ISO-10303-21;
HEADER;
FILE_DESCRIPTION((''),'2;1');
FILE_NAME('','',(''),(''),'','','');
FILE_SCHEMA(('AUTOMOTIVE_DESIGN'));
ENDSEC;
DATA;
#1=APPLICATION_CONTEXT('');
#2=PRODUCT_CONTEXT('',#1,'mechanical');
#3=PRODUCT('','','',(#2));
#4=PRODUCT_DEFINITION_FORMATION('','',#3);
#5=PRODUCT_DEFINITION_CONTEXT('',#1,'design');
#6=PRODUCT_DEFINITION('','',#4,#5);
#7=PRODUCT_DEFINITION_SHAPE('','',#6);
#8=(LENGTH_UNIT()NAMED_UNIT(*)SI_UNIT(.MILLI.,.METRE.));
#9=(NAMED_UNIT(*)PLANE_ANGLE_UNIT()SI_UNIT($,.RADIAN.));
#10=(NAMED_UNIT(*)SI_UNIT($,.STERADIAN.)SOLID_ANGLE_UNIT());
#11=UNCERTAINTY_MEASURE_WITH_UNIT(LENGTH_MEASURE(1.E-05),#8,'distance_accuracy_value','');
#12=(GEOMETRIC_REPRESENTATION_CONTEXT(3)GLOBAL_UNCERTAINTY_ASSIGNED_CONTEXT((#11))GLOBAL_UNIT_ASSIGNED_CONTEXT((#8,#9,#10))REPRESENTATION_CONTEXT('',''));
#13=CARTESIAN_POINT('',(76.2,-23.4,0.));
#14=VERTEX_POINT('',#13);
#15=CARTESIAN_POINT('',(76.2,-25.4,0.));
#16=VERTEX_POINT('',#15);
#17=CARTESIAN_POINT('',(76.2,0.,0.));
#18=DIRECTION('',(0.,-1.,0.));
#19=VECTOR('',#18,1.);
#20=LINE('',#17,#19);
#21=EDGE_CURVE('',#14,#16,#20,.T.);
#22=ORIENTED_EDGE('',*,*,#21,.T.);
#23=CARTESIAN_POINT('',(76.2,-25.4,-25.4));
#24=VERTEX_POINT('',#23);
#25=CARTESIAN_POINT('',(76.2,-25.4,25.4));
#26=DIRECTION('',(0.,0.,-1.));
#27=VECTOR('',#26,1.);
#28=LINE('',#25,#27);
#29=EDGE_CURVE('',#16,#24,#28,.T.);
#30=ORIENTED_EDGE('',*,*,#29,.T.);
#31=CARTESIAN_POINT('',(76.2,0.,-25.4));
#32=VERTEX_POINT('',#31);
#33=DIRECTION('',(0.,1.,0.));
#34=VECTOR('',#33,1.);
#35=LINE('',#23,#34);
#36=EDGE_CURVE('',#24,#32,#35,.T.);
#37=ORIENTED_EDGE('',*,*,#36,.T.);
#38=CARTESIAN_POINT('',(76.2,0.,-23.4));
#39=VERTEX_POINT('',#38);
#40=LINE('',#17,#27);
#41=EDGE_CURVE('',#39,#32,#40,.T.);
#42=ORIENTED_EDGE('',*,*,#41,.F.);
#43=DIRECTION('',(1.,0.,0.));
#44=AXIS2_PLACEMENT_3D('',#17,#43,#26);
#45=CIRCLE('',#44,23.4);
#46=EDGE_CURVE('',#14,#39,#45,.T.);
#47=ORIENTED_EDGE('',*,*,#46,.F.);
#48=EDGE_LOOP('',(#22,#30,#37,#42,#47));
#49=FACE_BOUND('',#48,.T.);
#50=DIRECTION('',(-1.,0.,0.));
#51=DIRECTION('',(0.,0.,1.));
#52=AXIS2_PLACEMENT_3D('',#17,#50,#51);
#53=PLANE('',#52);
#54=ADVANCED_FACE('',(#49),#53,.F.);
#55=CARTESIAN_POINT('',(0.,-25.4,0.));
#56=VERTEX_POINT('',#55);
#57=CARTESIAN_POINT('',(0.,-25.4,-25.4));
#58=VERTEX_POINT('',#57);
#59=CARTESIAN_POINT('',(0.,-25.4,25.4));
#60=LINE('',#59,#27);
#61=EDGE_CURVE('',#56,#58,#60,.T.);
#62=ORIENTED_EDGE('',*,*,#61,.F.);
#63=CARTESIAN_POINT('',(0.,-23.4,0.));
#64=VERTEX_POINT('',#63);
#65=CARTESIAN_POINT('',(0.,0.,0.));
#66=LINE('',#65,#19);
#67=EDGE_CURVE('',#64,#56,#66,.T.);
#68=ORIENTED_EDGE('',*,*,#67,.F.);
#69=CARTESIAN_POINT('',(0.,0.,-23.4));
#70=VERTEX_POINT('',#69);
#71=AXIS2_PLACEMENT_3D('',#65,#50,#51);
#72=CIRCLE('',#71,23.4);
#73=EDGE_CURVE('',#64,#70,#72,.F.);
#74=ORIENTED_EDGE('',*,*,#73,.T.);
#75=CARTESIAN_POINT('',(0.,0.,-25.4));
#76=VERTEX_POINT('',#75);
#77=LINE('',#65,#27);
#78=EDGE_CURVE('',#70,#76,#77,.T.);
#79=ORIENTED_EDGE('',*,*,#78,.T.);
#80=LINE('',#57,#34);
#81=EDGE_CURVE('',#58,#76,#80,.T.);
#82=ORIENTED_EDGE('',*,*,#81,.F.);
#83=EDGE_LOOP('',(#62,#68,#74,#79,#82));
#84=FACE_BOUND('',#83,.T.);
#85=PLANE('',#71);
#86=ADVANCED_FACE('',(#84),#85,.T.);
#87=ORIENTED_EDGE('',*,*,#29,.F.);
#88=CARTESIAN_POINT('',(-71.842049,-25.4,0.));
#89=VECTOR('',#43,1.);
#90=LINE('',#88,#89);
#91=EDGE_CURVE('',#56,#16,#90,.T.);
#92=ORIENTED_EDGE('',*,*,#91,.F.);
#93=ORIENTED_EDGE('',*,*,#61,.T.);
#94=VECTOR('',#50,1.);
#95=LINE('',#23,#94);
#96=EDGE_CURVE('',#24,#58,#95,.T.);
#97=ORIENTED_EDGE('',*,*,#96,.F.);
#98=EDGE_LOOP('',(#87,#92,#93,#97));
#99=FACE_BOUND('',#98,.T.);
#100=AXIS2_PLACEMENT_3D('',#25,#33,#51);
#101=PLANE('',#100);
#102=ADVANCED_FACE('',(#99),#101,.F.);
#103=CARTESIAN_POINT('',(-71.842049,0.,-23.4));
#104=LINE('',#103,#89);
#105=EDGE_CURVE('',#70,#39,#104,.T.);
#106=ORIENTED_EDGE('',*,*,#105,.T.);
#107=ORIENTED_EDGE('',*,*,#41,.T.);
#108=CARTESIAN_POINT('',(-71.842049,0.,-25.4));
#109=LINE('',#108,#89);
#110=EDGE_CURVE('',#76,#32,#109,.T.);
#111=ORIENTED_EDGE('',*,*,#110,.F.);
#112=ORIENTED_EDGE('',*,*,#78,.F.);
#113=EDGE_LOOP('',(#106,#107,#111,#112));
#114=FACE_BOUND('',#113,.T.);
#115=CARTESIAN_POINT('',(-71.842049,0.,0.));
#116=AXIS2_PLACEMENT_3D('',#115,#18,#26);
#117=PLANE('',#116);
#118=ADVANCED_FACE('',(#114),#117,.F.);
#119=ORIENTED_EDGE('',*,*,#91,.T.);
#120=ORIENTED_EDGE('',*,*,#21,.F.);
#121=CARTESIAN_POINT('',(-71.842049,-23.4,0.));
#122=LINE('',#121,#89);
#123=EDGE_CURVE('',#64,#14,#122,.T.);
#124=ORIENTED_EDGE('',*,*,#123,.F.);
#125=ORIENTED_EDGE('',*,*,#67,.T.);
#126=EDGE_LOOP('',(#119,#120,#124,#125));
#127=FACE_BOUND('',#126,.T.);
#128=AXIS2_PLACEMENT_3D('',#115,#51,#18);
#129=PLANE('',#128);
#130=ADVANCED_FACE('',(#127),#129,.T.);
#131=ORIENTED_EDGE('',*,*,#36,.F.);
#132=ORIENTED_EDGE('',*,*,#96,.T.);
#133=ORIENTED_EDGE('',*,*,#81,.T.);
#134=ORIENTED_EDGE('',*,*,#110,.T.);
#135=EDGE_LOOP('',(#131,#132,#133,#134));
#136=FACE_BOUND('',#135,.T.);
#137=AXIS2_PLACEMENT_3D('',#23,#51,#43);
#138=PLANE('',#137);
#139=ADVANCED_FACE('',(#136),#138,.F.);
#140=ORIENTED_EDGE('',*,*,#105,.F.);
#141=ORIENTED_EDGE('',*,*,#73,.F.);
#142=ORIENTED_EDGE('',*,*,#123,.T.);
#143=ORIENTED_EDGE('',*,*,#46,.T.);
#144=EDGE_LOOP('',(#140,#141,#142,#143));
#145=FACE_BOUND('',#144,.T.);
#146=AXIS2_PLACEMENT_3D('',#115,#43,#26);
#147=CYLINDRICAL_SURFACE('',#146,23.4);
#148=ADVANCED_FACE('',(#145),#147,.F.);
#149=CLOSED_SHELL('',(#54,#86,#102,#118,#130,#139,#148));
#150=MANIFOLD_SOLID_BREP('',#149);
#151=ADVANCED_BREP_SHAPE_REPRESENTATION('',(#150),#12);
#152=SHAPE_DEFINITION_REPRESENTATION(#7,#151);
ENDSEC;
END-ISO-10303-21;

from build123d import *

# Parameters (mm, degrees)
SKETCH1_W           = 50.8
SKETCH1_H           = 50.8
BOSS_EXTRUDE1_DEPTH = 76.2
CUT_EXTRUDE1_DEPTH  = 76.2


with BuildPart() as part:
    # Sketch1 → Boss-Extrude1 (new body)
    with BuildSketch(Plane(origin=(0, 0, 0), x_dir=(0, 0, -1), z_dir=(1, 0, 0))):
        Rectangle(SKETCH1_W, SKETCH1_H)
    extrude(amount=BOSS_EXTRUDE1_DEPTH)

    # Sketch2 → Cut-Extrude1 (cut)
    with BuildSketch(Plane(origin=(76.2, 0, 0), x_dir=(0, 0, -1), z_dir=(1, 0, 0))):
        with BuildLine():
            Line((0, -25.4), (0, -23.4))
            ThreePointArc((0, -23.4), (16.54629868, -16.54629868), (23.4, 0))
            Line((23.4, 0), (25.4, 0))
            Line((25.4, 0), (25.4, 25.4))
            Line((25.4, 25.4), (-25.4, 25.4))
            Line((-25.4, 25.4), (-25.4, -25.4))
            Line((-25.4, -25.4), (0, -25.4))
        make_face()
    extrude(amount=-CUT_EXTRUDE1_DEPTH, mode=Mode.SUBTRACT)


solid = part.part
